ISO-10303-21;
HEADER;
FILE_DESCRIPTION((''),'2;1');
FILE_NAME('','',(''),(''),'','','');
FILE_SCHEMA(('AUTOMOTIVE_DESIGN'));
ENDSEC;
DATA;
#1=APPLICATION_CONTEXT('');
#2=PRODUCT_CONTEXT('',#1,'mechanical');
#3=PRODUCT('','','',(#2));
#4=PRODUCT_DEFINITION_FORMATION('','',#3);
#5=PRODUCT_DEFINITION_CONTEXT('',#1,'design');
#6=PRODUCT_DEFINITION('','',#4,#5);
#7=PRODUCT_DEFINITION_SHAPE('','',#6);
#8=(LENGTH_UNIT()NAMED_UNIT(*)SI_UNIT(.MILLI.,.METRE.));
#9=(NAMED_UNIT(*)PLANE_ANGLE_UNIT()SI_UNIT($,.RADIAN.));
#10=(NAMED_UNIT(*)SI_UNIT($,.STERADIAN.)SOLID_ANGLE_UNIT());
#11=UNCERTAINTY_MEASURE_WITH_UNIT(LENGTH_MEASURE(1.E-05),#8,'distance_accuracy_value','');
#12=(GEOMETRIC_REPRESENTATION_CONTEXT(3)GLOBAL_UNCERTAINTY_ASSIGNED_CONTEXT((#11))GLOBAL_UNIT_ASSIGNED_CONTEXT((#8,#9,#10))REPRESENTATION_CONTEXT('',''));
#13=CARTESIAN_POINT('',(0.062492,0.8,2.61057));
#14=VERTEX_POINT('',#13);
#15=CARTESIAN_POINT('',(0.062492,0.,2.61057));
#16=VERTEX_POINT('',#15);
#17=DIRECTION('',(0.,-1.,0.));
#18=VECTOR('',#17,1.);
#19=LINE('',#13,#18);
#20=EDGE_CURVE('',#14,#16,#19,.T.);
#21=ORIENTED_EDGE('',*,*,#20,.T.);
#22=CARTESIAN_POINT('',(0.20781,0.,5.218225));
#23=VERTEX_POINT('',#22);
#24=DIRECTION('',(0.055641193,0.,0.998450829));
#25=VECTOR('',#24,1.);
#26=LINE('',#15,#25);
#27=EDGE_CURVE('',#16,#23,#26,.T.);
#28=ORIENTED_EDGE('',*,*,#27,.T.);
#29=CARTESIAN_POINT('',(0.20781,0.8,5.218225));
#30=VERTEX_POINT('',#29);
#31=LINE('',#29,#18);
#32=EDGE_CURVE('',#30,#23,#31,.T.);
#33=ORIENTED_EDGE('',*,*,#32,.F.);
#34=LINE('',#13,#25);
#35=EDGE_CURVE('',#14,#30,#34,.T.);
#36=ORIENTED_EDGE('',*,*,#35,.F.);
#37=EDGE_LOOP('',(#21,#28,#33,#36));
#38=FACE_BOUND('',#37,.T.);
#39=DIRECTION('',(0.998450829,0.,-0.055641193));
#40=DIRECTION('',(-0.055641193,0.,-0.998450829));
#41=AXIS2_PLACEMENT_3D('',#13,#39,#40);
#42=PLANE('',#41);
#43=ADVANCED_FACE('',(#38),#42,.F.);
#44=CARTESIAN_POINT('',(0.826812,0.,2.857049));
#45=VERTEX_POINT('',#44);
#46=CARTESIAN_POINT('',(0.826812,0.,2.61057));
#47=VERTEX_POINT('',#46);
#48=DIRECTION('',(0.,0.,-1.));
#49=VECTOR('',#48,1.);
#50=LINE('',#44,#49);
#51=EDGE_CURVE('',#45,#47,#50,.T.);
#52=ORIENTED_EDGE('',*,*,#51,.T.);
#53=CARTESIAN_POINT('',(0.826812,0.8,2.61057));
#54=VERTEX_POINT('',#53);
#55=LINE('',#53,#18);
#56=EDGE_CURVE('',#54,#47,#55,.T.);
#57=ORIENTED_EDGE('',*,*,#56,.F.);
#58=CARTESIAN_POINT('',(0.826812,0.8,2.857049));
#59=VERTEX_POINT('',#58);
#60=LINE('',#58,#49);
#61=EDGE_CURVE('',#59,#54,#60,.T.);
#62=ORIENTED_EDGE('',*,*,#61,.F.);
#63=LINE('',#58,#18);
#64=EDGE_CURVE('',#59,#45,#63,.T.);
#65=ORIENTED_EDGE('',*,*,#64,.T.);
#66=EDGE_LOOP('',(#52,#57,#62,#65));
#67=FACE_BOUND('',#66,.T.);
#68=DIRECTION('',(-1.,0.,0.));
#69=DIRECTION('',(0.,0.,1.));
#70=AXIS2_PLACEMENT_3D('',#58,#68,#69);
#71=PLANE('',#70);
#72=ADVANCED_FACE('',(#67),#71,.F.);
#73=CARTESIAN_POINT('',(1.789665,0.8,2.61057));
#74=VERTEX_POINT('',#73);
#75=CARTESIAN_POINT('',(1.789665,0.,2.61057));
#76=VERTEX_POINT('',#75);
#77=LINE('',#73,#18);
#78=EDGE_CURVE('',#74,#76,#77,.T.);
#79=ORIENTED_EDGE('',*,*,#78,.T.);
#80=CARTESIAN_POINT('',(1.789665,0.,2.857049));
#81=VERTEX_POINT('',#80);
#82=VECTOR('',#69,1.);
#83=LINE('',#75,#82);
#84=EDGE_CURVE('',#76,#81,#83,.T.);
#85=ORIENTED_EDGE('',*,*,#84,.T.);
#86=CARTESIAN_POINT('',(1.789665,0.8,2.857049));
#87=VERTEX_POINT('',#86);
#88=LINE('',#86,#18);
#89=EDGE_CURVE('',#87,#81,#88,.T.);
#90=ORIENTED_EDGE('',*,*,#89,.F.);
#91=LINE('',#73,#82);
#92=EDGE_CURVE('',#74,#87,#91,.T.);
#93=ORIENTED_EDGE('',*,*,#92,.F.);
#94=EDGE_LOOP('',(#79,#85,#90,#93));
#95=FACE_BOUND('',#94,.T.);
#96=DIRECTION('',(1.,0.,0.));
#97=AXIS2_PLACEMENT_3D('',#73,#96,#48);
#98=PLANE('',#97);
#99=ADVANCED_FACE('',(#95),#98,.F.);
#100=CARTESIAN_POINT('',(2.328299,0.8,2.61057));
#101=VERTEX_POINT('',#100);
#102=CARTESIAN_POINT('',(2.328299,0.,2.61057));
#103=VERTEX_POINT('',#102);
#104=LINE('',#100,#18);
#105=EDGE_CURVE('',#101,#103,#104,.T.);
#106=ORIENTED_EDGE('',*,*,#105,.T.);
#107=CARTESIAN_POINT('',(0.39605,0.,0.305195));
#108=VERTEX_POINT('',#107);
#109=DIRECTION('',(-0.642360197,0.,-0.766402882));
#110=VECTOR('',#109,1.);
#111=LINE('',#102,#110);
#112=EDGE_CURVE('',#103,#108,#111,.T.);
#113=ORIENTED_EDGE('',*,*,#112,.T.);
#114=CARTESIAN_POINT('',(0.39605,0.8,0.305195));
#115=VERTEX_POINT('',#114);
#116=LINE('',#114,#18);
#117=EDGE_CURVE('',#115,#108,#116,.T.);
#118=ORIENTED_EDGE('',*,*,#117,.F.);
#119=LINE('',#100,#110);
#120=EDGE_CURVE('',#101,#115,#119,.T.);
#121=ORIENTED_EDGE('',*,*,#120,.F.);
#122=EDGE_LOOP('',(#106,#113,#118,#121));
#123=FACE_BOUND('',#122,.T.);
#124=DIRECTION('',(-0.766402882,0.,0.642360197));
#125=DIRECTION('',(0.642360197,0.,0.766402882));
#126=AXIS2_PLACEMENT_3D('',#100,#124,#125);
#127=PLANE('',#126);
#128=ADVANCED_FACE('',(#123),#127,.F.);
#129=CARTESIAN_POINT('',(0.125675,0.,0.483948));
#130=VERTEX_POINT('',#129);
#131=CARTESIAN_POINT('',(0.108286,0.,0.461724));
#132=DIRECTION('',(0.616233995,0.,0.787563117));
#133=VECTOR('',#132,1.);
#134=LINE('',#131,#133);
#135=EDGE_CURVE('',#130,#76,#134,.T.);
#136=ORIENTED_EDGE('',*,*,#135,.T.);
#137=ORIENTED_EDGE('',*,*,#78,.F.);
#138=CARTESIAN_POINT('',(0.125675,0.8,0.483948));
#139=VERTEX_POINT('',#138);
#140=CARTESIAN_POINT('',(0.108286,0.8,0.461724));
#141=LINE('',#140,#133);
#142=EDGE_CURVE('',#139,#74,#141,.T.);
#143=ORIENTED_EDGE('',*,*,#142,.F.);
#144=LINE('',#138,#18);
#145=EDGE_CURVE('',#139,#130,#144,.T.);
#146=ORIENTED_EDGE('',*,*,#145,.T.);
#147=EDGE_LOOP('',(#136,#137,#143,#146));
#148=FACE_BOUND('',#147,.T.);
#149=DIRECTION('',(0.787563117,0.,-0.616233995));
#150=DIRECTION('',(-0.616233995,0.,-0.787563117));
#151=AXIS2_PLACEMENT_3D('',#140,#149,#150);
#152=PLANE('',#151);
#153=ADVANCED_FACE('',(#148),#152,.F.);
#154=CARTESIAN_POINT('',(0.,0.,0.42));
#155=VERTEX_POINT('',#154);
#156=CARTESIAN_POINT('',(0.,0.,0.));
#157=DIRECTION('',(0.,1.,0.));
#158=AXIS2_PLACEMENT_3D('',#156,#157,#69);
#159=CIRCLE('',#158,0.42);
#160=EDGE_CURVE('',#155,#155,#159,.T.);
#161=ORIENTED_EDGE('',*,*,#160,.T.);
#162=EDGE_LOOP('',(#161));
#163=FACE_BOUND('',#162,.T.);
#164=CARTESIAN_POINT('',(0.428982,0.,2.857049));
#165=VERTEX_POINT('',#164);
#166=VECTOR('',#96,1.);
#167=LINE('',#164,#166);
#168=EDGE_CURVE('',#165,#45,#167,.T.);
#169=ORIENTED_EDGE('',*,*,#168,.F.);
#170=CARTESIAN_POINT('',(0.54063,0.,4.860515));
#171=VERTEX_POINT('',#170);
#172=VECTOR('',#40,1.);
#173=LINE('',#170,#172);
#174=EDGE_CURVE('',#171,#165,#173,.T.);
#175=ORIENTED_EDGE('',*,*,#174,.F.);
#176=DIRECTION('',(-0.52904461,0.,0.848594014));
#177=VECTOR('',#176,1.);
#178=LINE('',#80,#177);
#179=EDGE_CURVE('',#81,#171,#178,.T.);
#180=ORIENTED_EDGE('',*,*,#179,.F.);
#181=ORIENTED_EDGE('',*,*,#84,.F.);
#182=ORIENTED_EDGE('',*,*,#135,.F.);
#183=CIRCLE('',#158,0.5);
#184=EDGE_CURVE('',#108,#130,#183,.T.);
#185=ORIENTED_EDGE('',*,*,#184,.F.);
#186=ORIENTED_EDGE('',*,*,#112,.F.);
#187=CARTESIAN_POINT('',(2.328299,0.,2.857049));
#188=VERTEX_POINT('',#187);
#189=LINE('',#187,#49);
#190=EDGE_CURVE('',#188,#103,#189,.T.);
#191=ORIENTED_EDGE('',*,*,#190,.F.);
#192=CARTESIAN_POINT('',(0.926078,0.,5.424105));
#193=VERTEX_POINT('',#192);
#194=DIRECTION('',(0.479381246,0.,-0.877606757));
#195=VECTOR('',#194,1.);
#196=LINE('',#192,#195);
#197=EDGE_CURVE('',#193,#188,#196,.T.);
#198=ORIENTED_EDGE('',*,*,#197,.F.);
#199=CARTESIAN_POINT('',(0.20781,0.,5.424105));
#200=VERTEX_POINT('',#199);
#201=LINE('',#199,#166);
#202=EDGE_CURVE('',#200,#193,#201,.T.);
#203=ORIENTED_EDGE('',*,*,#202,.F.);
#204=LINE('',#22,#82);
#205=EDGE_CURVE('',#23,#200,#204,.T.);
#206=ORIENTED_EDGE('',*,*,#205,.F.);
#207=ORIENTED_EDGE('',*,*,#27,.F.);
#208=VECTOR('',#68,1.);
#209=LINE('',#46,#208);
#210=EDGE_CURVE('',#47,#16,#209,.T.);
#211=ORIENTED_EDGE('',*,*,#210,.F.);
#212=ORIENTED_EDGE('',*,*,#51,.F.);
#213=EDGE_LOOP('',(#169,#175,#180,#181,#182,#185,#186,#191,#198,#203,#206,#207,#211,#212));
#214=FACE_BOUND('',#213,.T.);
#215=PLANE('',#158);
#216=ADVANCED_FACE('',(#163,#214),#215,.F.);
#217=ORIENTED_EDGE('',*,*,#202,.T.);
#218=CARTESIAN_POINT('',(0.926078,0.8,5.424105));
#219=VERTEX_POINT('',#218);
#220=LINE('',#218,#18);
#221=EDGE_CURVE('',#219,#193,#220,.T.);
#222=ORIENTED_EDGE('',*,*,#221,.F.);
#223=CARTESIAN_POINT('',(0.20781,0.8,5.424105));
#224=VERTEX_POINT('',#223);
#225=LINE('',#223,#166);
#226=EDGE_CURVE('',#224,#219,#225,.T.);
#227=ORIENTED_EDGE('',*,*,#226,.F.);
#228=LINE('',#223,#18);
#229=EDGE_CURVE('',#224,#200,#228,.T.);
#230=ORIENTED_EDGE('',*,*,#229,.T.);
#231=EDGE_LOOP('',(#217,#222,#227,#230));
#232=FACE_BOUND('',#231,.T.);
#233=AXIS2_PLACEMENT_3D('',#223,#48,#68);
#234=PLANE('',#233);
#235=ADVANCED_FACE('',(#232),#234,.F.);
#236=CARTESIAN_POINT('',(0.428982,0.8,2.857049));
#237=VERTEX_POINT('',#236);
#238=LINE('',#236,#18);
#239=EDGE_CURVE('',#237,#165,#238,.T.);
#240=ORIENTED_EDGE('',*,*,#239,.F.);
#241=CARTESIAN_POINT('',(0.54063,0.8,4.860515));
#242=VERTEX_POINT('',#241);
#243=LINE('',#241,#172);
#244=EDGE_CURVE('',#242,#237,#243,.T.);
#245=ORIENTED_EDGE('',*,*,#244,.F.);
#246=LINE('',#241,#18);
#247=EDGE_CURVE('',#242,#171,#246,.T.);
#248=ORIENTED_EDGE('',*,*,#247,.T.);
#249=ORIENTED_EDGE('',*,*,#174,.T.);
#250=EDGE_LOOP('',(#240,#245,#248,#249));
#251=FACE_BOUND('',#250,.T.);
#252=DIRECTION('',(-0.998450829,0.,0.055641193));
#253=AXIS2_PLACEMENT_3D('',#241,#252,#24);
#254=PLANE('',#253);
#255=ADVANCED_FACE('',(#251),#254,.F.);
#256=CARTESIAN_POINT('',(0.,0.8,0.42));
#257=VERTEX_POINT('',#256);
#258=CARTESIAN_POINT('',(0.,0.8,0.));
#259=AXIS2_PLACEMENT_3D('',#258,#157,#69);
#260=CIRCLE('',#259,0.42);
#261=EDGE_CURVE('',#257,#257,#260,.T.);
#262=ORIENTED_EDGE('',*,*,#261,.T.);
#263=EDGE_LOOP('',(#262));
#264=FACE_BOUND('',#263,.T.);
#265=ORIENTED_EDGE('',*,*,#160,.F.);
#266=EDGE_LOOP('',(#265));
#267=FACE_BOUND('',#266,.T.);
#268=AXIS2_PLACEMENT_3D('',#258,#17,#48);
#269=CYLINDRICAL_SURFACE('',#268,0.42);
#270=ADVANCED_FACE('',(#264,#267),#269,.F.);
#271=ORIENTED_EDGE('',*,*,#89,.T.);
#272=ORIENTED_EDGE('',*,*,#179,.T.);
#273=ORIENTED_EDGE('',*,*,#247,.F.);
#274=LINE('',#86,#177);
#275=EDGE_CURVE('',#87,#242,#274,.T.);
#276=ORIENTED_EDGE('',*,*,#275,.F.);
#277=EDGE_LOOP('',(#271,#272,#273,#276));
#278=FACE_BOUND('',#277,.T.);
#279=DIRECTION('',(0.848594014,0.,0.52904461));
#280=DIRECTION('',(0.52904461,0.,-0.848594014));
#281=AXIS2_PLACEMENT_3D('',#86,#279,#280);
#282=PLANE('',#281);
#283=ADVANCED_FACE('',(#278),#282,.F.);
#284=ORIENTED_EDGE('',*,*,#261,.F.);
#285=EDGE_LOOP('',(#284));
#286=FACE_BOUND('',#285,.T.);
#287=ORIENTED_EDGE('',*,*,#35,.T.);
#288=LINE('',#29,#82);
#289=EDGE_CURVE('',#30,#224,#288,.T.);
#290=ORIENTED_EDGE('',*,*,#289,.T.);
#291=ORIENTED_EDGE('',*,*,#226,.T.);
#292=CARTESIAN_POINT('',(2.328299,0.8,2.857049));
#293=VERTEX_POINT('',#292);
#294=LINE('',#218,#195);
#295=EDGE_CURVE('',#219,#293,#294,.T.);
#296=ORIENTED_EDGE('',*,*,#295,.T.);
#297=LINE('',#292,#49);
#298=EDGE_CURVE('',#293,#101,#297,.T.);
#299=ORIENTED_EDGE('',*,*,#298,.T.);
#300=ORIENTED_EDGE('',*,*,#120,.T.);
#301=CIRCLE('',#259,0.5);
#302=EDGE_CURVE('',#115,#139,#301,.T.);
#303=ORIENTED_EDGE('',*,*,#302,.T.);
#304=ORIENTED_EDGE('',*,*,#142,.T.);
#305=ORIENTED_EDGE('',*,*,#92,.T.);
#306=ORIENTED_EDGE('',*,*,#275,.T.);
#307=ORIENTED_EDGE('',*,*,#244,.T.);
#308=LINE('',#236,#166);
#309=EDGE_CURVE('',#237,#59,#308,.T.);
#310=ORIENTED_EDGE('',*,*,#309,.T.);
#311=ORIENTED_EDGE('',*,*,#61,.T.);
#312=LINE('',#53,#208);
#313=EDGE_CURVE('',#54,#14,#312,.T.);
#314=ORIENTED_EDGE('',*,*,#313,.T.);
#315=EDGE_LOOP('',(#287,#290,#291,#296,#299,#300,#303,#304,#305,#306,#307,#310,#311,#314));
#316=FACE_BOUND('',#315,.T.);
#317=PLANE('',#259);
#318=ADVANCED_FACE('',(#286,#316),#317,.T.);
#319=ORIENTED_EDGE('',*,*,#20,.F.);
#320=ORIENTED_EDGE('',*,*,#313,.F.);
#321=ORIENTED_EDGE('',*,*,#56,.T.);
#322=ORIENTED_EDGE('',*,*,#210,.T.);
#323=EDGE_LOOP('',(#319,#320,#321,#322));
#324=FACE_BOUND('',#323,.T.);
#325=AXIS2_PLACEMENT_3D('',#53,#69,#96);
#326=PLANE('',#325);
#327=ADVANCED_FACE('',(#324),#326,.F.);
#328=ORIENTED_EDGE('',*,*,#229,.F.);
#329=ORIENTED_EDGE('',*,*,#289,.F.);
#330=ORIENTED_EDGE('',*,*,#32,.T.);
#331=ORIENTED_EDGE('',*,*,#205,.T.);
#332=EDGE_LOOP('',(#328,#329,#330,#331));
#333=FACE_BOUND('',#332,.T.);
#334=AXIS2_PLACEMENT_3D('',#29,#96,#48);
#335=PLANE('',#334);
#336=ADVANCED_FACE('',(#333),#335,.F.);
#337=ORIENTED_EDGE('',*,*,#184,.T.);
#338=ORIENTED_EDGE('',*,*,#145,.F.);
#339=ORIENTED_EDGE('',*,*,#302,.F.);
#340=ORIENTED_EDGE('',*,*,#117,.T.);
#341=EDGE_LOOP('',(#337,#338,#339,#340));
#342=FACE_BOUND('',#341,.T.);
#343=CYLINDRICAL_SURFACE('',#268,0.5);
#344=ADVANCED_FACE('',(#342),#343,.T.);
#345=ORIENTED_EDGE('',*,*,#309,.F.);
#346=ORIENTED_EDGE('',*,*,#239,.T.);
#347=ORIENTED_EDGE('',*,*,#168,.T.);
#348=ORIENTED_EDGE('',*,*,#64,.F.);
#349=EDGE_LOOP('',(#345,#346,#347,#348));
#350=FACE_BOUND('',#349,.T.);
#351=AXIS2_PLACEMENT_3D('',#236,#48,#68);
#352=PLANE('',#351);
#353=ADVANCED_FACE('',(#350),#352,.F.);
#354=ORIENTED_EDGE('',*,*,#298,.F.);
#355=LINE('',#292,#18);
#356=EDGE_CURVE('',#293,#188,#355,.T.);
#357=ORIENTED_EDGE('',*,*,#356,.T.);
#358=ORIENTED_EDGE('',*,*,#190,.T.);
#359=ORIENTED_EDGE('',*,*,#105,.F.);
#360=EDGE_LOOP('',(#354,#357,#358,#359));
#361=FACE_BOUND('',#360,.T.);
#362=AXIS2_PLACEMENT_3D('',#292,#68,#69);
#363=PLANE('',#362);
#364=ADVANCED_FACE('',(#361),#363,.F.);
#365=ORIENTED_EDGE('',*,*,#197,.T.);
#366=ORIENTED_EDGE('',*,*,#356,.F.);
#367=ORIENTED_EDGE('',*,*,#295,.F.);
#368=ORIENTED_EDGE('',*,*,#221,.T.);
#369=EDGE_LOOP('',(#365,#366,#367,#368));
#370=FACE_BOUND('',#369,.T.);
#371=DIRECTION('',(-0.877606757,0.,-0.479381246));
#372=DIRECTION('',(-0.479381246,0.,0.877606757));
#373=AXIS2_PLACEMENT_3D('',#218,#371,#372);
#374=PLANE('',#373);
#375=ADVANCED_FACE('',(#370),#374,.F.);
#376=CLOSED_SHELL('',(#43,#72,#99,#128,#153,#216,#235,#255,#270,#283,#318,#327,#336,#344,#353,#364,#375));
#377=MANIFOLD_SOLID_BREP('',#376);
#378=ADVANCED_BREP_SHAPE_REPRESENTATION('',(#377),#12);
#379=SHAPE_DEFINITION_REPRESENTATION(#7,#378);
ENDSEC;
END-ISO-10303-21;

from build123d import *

# Parameters (mm, degrees)
SKETCH1_R           = 0.5
SKETCH1_R_2         = 0.42
BOSS_EXTRUDE1_DEPTH = 0.8
BOSS_EXTRUDE2_DEPTH = 0.8


with BuildPart() as part:
    # Sketch1 → Boss-Extrude1 (new body)
    with BuildSketch(Plane(origin=(0, 0, 0), x_dir=(1, 0, 0), z_dir=(0, 1, 0))):
        with Locations(Location((0, 0, 0), (0, 0, 270))):
            Circle(SKETCH1_R)
        with Locations(Location((0, 0, 0), (0, 0, 270))):
            Circle(SKETCH1_R_2, mode=Mode.SUBTRACT)
    extrude(amount=BOSS_EXTRUDE1_DEPTH)

    # Sketch2 → Boss-Extrude2 (add)
    with BuildSketch(Plane(origin=(0, 0, 0), x_dir=(1, 0, 0), z_dir=(0, 1, 0))):
        Polygon((0.108286112, -0.461724255), (1.789664547, -2.610569743), (1.789664547, -2.857049284), (0.540630382, -4.860515333), (0.428982179, -2.857049284), (0.826811996, -2.857049284), (0.826811996, -2.610569743), (0.062491975, -2.610569743), (0.207810173, -5.218225459), (0.207810173, -5.424104553), (0.926078261, -5.424104553), (2.328298725, -2.857049284), (2.328298725, -2.610569743), (0.39605028, -0.305195308), align=None)
    extrude(amount=BOSS_EXTRUDE2_DEPTH)


solid = part.part
